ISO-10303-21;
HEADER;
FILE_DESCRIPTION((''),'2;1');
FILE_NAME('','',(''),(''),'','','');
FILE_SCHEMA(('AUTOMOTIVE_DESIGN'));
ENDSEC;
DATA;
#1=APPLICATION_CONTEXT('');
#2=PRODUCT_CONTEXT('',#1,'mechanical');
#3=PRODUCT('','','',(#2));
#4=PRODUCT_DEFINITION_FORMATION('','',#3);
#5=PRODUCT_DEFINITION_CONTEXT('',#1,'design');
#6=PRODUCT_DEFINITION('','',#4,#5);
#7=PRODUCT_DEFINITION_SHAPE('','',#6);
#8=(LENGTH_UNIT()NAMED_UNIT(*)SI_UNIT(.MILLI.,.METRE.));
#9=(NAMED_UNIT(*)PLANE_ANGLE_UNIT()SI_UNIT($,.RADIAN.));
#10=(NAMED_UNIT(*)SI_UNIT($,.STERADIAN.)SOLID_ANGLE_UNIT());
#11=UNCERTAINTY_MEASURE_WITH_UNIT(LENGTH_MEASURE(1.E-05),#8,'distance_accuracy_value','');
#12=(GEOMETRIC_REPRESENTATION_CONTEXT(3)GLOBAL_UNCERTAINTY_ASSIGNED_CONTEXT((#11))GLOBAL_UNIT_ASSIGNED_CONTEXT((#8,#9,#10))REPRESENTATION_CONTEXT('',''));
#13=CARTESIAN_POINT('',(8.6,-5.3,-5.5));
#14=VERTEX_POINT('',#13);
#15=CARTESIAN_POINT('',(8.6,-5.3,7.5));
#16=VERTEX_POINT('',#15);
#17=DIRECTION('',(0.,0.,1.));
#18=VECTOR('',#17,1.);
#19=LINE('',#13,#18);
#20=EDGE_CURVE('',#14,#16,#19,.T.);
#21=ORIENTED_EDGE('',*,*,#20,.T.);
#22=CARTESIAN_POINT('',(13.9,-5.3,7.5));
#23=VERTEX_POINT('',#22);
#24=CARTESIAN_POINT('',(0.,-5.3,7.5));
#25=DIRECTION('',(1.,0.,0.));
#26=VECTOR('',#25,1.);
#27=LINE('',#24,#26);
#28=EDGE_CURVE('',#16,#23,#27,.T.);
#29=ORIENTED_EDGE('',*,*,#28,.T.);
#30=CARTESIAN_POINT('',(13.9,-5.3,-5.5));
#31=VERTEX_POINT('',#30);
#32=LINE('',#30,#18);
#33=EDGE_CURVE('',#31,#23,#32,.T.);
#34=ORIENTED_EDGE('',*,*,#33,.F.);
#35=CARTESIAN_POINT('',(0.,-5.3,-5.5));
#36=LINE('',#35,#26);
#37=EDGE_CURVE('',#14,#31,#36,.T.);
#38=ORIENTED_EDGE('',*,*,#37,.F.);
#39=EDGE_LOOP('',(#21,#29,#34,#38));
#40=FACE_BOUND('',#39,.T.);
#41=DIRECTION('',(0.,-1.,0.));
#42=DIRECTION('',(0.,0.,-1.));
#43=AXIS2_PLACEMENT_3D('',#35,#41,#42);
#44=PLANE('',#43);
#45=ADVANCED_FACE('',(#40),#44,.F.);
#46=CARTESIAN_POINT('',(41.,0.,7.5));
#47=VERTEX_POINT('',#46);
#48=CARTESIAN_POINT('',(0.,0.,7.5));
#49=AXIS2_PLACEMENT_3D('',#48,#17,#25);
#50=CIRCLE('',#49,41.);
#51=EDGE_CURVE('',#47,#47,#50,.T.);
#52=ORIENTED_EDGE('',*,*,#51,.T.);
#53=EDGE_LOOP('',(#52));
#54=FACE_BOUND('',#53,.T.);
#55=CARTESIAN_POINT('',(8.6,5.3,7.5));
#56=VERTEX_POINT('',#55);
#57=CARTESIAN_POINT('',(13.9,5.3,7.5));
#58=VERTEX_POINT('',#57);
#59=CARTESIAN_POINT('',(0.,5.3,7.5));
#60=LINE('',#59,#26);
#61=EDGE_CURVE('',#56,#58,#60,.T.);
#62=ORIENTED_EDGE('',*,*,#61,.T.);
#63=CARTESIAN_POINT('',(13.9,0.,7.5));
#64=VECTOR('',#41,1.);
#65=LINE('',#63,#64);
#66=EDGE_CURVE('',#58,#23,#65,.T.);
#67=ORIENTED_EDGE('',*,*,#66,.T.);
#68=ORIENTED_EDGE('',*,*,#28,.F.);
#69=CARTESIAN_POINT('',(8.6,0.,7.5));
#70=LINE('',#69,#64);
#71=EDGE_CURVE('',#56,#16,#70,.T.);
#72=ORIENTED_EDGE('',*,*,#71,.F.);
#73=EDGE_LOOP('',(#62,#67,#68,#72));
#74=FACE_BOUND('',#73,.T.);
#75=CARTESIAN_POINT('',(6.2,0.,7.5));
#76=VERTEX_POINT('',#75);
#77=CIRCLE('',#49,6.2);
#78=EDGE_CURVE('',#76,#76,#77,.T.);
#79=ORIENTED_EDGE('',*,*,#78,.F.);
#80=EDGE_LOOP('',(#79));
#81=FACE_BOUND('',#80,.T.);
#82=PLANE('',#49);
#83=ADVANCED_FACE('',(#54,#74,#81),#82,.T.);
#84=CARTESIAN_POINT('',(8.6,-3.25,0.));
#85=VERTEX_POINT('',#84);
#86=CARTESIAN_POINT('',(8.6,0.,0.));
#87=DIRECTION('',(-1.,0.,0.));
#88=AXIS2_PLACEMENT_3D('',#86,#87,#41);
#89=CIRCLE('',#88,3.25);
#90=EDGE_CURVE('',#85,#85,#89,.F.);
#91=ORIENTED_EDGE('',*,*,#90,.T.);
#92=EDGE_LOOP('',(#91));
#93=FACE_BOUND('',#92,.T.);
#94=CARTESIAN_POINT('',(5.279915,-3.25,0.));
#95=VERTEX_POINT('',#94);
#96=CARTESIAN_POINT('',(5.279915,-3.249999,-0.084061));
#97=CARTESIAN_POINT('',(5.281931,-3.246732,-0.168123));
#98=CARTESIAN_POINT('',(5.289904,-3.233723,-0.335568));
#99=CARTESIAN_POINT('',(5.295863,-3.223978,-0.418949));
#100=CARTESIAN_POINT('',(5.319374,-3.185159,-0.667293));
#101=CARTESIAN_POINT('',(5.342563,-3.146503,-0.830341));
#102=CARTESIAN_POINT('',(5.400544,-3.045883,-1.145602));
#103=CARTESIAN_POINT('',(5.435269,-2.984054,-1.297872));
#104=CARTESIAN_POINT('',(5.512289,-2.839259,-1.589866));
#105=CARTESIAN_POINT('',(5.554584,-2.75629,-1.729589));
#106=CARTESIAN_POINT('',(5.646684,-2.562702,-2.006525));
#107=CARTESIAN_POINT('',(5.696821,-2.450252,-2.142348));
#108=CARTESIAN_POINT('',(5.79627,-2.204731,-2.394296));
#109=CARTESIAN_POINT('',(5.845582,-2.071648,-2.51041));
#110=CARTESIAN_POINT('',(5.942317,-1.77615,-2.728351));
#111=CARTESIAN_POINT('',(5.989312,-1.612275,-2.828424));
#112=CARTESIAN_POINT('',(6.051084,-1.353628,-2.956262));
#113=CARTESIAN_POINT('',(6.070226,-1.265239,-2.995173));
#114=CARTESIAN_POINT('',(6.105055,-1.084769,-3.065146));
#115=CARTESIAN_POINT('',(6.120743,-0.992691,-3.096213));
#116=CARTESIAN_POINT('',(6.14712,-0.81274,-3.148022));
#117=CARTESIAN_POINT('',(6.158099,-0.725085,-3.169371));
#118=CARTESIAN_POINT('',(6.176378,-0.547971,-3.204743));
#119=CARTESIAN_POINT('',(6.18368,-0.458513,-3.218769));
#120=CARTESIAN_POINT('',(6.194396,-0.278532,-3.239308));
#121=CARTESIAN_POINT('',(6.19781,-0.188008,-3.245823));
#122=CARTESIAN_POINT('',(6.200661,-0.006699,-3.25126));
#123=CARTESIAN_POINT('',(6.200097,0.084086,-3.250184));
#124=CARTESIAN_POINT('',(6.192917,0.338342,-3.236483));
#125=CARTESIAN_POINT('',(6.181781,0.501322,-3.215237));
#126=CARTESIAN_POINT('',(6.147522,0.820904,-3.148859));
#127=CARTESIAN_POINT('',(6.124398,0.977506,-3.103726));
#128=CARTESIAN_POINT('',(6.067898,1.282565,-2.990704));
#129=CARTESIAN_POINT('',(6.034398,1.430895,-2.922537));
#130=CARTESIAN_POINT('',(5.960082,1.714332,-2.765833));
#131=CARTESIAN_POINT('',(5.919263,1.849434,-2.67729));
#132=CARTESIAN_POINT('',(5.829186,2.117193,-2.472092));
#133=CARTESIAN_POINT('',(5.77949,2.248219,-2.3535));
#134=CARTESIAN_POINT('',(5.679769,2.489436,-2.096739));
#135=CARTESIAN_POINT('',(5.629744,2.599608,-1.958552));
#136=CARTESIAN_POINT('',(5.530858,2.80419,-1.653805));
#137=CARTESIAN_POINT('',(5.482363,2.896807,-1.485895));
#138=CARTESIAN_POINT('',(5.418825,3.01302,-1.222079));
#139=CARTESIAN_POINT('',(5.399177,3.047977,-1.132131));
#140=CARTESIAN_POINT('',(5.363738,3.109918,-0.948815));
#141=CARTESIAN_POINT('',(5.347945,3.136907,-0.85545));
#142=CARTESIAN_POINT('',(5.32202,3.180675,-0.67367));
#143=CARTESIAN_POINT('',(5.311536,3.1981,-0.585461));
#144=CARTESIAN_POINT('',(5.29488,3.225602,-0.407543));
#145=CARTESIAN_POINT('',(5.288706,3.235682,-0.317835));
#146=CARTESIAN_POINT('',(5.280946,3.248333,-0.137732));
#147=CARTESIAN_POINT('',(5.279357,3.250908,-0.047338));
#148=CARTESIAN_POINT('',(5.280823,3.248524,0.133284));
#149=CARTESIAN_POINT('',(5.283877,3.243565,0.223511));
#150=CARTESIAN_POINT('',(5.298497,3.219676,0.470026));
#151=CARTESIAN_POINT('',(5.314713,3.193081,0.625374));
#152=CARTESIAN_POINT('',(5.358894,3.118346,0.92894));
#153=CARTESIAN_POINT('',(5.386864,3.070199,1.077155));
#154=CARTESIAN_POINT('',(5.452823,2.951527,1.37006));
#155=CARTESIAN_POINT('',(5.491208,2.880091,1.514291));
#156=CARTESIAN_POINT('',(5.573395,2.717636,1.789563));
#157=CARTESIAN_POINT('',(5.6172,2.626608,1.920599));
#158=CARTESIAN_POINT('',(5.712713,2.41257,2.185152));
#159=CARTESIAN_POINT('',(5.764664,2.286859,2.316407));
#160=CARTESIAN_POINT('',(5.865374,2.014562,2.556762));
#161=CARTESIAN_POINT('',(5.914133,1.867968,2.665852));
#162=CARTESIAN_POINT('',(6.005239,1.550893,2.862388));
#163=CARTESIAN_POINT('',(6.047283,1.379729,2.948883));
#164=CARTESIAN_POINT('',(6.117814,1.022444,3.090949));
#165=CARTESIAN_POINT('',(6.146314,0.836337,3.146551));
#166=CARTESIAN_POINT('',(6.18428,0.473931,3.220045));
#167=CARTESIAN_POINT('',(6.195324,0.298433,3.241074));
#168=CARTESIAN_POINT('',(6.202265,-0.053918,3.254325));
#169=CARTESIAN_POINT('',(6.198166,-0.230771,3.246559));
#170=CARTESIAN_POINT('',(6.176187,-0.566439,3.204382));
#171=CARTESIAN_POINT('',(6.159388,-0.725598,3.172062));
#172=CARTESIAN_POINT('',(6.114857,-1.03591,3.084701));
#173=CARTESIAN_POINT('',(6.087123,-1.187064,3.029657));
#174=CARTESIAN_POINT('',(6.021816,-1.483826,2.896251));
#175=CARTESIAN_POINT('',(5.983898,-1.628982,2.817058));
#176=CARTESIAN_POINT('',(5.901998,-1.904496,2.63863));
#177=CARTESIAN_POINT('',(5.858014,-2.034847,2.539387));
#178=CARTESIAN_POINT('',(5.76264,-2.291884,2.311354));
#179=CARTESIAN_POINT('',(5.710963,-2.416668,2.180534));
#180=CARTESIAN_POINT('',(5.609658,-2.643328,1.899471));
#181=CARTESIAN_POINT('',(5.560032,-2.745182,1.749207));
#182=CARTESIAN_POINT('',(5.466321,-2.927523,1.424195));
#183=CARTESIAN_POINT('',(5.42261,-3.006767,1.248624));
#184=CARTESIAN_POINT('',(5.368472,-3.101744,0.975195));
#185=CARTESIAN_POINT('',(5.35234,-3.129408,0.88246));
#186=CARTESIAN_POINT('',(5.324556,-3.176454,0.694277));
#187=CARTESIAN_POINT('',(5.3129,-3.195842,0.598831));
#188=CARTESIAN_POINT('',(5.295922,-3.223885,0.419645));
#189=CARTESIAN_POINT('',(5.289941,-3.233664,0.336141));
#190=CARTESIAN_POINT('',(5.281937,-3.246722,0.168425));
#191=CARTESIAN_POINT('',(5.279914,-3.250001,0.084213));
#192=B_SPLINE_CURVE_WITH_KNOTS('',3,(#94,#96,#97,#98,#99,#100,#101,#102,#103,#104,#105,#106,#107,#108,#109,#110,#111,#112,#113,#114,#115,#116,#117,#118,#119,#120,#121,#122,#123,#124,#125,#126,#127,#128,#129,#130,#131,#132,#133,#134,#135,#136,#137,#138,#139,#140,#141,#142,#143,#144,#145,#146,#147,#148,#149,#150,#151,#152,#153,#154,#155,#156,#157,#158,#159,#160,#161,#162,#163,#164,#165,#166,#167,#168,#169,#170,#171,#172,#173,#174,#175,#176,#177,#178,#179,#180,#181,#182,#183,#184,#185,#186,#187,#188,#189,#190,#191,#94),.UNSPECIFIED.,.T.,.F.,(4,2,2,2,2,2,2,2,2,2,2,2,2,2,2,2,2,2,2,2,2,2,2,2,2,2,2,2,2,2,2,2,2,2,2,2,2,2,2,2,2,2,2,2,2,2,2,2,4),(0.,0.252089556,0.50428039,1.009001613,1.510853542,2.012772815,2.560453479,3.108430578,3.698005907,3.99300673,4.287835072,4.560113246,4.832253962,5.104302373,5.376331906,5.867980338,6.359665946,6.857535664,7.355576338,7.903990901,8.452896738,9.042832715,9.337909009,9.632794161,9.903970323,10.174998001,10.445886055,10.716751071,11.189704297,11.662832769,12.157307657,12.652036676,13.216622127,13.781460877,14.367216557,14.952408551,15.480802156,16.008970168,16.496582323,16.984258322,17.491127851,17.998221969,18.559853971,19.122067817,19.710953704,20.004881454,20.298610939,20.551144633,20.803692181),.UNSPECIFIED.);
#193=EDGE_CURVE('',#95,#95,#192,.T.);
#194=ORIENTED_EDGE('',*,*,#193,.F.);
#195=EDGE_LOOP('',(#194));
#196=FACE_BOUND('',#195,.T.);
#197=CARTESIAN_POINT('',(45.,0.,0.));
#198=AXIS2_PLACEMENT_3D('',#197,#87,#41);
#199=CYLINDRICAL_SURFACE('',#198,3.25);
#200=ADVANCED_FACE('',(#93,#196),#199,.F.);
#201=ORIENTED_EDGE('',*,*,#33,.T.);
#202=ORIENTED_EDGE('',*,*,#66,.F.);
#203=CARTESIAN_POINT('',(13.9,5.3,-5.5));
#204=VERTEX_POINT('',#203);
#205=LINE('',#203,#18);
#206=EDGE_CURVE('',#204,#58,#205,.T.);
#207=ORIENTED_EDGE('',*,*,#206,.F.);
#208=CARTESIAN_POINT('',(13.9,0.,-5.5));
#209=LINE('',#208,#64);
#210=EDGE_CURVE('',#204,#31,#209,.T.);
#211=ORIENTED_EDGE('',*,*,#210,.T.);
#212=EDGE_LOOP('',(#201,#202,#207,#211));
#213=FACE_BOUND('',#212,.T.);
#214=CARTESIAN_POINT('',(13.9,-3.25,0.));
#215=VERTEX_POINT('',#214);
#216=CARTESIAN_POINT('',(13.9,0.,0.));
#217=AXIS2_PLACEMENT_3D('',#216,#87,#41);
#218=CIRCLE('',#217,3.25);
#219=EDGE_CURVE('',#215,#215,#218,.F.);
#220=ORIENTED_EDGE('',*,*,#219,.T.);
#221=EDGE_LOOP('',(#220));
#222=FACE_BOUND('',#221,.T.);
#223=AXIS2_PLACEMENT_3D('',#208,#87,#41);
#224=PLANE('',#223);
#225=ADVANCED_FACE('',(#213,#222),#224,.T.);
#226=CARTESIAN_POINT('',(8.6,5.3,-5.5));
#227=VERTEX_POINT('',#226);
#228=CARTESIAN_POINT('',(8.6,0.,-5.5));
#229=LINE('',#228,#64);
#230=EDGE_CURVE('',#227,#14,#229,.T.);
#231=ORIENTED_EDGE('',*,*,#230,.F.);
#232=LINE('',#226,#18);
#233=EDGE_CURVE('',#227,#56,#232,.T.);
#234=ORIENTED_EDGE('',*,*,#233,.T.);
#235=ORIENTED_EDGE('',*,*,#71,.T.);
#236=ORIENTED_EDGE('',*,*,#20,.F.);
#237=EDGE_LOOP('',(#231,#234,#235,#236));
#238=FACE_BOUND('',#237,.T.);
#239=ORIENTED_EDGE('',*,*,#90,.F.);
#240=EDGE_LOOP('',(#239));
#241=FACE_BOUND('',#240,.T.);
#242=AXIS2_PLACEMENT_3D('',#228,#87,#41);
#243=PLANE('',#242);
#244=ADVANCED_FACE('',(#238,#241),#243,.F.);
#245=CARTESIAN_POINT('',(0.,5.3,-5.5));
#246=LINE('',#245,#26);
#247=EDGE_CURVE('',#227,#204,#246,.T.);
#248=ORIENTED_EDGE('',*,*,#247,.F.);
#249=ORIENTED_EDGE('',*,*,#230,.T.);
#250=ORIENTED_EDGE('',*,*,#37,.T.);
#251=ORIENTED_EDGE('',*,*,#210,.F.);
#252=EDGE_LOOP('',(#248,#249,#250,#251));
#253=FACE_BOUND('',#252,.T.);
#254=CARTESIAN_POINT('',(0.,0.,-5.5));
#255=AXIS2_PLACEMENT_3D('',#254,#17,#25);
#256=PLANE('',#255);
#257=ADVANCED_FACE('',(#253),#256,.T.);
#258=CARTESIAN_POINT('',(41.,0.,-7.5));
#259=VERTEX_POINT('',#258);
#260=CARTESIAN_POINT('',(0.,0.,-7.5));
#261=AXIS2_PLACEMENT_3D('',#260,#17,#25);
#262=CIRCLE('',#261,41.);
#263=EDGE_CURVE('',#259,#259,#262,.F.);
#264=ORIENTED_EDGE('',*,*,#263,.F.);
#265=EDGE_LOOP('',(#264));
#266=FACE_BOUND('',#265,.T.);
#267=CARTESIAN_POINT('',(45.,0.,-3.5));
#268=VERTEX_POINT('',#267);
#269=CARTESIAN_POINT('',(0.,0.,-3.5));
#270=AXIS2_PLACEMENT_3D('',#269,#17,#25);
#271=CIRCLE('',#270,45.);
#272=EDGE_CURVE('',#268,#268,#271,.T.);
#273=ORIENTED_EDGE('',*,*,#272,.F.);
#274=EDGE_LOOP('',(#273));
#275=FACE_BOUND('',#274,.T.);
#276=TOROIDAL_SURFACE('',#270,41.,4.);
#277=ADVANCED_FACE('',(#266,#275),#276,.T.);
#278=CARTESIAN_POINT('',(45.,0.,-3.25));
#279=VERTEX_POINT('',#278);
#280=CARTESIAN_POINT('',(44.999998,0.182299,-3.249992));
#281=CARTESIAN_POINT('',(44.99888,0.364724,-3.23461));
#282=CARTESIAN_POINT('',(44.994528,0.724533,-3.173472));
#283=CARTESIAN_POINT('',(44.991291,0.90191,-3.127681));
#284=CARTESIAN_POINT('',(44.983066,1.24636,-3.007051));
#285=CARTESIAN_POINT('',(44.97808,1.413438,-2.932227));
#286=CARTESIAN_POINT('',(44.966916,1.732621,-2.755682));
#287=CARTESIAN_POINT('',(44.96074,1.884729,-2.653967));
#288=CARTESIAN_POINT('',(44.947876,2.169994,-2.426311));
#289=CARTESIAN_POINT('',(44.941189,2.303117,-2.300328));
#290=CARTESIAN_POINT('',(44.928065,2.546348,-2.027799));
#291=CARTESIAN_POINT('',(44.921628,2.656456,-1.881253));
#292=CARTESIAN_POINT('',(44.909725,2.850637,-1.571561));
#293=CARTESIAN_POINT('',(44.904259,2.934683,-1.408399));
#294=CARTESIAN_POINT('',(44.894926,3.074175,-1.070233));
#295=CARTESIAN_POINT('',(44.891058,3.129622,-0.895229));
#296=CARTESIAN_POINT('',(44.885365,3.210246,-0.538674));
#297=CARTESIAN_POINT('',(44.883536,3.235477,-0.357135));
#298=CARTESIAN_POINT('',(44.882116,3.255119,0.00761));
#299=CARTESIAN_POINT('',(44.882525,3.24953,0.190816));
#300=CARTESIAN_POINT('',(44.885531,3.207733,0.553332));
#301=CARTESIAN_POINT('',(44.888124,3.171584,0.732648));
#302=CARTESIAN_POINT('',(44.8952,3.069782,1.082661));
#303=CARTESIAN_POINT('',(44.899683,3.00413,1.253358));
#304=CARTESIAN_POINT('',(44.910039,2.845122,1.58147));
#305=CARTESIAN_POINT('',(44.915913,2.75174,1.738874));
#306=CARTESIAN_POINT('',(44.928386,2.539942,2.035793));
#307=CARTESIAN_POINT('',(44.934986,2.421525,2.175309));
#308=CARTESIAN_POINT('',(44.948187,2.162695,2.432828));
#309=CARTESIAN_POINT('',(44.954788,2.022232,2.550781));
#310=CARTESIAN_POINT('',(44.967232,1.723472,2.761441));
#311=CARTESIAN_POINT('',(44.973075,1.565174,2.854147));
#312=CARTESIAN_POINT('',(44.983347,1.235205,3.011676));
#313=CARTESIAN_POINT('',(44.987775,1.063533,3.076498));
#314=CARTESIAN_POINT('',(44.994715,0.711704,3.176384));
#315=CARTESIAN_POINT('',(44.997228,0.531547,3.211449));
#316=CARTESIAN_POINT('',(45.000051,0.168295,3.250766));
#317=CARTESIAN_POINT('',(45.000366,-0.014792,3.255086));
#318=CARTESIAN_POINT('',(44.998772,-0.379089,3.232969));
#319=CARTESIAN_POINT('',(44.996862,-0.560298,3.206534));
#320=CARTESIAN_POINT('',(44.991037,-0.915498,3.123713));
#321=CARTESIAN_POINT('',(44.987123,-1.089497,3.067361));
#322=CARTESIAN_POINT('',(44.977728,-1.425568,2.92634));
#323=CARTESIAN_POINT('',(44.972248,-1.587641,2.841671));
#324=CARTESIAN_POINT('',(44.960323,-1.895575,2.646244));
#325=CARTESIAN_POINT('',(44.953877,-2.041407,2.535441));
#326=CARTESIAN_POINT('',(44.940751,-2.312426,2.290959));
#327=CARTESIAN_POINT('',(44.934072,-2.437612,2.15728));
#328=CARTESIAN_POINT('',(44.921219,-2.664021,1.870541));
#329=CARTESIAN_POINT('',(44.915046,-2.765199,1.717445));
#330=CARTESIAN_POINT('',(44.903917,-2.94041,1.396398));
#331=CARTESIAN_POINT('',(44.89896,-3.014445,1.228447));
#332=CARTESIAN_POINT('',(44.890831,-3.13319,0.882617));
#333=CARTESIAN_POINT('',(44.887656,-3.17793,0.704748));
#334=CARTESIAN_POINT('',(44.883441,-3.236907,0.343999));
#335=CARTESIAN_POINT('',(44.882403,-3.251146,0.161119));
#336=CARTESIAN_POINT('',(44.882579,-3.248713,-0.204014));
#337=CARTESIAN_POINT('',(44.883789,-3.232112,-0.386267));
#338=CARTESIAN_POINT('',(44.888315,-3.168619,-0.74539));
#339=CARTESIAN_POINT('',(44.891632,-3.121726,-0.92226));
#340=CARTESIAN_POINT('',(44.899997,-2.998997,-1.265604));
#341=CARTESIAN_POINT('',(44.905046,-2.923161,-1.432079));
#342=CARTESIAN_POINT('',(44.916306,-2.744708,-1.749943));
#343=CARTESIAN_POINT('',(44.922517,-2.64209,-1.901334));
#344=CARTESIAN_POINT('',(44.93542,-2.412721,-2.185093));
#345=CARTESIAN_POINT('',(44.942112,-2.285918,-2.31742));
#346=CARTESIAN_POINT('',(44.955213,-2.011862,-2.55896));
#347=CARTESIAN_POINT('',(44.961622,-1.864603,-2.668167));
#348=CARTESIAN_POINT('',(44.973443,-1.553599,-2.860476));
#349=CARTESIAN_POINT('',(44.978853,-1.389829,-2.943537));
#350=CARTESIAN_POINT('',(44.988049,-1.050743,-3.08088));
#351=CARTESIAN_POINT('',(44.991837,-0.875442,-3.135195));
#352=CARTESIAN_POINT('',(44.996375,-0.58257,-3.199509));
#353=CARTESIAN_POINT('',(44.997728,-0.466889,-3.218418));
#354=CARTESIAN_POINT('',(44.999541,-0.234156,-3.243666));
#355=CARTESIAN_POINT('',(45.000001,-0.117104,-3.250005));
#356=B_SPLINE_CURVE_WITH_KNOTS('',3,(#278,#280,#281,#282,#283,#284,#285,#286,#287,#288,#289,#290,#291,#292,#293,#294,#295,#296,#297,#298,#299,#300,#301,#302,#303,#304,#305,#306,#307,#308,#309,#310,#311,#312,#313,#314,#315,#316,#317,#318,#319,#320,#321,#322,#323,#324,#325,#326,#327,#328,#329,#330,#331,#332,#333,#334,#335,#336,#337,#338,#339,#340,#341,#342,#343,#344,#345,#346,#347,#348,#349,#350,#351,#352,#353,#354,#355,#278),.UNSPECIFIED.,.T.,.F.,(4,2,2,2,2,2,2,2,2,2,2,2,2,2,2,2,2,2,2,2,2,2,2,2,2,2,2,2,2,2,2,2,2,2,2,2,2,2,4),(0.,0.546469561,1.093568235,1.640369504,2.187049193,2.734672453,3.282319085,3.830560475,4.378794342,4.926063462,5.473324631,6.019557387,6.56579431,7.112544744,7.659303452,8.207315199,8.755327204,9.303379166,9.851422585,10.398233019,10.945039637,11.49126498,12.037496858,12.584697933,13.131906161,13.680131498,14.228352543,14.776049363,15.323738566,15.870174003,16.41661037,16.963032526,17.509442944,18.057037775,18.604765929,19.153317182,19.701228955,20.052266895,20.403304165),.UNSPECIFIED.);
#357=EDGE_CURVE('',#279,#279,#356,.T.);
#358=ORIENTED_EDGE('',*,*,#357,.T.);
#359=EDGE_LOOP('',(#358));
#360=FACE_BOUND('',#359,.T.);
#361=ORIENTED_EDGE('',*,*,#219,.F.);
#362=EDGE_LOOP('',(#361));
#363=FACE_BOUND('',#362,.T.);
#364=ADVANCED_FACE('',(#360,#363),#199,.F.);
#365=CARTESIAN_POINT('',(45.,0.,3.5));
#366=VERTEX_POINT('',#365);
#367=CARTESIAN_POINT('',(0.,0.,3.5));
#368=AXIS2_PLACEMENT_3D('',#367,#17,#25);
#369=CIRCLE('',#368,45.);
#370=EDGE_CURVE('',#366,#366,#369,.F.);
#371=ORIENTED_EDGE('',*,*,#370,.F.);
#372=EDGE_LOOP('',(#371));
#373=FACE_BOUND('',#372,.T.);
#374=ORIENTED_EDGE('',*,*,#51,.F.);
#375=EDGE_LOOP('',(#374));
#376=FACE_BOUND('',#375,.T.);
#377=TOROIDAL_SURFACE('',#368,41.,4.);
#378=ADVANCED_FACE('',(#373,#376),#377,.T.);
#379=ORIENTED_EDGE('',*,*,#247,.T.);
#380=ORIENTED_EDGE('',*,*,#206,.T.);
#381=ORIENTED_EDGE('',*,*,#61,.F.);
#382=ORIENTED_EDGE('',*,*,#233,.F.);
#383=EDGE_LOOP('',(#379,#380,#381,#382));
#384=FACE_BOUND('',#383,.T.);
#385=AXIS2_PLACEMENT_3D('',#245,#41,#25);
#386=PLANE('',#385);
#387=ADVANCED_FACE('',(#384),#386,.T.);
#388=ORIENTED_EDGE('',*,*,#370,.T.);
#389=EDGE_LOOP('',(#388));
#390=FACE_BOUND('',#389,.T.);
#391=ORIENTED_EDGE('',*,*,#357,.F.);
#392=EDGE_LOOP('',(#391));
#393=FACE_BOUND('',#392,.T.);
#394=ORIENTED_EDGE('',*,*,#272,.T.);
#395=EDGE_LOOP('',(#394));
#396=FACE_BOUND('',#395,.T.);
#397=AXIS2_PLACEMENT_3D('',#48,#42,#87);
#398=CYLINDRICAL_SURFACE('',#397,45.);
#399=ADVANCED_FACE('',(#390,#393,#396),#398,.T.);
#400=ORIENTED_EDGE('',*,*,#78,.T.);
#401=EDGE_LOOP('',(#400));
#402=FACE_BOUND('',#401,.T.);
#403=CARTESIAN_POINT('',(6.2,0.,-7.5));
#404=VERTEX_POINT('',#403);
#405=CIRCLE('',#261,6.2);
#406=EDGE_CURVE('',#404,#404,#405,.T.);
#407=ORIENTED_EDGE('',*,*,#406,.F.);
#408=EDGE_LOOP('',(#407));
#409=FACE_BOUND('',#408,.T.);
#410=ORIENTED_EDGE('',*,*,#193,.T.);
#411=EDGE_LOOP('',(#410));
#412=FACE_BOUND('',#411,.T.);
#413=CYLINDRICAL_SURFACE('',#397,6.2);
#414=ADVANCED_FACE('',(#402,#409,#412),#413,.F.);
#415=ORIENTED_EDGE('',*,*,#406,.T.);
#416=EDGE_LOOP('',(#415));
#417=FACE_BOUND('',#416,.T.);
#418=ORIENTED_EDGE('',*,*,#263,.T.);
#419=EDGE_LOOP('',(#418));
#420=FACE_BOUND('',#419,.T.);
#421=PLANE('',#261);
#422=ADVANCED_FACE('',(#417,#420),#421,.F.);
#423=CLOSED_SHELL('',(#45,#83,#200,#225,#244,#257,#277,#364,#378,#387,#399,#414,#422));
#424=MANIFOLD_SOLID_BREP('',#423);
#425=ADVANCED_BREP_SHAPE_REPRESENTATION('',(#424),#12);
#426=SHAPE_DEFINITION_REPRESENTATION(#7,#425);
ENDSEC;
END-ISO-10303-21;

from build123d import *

# Parameters (mm, degrees)
SKETCH1_R               = 45
SKETCH1_R_2             = 6.2
BOSS_EXTRUDE1_DEPTH     = 7.5
SKETCH2_W               = 5.3
SKETCH2_H               = 10.6
CUT_EXTRUDE1_DEPTH      = 13
SKETCH3_R               = 3.25
CUT_EXTRUDE2_DEPTH      = 37.4
CUT_EXTRUDE2_DEPTH_BACK = 13
FILLET1_R               = 4


with BuildPart() as part:
    # Sketch1 → Boss-Extrude1 (new body, symmetric)
    with BuildSketch(Plane.XY):
        Circle(SKETCH1_R)
        Circle(SKETCH1_R_2, mode=Mode.SUBTRACT)
    extrude(amount=BOSS_EXTRUDE1_DEPTH, both=True)

    # Sketch2 → Cut-Extrude1 (cut)
    with BuildSketch(Plane.XY.offset(7.5)):
        with Locations((11.25, 0)):
            Rectangle(SKETCH2_W, SKETCH2_H)
    extrude(amount=-CUT_EXTRUDE1_DEPTH, mode=Mode.SUBTRACT)

    # Sketch3 → Cut-Extrude2 (cut, two sides)
    with BuildSketch(Plane(origin=(8.6, 0, 0), x_dir=(0, 0, -1), z_dir=(1, 0, 0))) as cut_extrude2_sk:
        Circle(SKETCH3_R)
    extrude(amount=CUT_EXTRUDE2_DEPTH, mode=Mode.SUBTRACT)
    extrude(cut_extrude2_sk.sketch, amount=-CUT_EXTRUDE2_DEPTH_BACK, mode=Mode.SUBTRACT)

    # Fillet1
    fillet1_edges = [part.edges().sort_by_distance(p)[0] for p in [
        (-45, 0, -7.5),
        (-45, 0, 7.5),
    ]]
    fillet(fillet1_edges, radius=FILLET1_R)


solid = part.part
